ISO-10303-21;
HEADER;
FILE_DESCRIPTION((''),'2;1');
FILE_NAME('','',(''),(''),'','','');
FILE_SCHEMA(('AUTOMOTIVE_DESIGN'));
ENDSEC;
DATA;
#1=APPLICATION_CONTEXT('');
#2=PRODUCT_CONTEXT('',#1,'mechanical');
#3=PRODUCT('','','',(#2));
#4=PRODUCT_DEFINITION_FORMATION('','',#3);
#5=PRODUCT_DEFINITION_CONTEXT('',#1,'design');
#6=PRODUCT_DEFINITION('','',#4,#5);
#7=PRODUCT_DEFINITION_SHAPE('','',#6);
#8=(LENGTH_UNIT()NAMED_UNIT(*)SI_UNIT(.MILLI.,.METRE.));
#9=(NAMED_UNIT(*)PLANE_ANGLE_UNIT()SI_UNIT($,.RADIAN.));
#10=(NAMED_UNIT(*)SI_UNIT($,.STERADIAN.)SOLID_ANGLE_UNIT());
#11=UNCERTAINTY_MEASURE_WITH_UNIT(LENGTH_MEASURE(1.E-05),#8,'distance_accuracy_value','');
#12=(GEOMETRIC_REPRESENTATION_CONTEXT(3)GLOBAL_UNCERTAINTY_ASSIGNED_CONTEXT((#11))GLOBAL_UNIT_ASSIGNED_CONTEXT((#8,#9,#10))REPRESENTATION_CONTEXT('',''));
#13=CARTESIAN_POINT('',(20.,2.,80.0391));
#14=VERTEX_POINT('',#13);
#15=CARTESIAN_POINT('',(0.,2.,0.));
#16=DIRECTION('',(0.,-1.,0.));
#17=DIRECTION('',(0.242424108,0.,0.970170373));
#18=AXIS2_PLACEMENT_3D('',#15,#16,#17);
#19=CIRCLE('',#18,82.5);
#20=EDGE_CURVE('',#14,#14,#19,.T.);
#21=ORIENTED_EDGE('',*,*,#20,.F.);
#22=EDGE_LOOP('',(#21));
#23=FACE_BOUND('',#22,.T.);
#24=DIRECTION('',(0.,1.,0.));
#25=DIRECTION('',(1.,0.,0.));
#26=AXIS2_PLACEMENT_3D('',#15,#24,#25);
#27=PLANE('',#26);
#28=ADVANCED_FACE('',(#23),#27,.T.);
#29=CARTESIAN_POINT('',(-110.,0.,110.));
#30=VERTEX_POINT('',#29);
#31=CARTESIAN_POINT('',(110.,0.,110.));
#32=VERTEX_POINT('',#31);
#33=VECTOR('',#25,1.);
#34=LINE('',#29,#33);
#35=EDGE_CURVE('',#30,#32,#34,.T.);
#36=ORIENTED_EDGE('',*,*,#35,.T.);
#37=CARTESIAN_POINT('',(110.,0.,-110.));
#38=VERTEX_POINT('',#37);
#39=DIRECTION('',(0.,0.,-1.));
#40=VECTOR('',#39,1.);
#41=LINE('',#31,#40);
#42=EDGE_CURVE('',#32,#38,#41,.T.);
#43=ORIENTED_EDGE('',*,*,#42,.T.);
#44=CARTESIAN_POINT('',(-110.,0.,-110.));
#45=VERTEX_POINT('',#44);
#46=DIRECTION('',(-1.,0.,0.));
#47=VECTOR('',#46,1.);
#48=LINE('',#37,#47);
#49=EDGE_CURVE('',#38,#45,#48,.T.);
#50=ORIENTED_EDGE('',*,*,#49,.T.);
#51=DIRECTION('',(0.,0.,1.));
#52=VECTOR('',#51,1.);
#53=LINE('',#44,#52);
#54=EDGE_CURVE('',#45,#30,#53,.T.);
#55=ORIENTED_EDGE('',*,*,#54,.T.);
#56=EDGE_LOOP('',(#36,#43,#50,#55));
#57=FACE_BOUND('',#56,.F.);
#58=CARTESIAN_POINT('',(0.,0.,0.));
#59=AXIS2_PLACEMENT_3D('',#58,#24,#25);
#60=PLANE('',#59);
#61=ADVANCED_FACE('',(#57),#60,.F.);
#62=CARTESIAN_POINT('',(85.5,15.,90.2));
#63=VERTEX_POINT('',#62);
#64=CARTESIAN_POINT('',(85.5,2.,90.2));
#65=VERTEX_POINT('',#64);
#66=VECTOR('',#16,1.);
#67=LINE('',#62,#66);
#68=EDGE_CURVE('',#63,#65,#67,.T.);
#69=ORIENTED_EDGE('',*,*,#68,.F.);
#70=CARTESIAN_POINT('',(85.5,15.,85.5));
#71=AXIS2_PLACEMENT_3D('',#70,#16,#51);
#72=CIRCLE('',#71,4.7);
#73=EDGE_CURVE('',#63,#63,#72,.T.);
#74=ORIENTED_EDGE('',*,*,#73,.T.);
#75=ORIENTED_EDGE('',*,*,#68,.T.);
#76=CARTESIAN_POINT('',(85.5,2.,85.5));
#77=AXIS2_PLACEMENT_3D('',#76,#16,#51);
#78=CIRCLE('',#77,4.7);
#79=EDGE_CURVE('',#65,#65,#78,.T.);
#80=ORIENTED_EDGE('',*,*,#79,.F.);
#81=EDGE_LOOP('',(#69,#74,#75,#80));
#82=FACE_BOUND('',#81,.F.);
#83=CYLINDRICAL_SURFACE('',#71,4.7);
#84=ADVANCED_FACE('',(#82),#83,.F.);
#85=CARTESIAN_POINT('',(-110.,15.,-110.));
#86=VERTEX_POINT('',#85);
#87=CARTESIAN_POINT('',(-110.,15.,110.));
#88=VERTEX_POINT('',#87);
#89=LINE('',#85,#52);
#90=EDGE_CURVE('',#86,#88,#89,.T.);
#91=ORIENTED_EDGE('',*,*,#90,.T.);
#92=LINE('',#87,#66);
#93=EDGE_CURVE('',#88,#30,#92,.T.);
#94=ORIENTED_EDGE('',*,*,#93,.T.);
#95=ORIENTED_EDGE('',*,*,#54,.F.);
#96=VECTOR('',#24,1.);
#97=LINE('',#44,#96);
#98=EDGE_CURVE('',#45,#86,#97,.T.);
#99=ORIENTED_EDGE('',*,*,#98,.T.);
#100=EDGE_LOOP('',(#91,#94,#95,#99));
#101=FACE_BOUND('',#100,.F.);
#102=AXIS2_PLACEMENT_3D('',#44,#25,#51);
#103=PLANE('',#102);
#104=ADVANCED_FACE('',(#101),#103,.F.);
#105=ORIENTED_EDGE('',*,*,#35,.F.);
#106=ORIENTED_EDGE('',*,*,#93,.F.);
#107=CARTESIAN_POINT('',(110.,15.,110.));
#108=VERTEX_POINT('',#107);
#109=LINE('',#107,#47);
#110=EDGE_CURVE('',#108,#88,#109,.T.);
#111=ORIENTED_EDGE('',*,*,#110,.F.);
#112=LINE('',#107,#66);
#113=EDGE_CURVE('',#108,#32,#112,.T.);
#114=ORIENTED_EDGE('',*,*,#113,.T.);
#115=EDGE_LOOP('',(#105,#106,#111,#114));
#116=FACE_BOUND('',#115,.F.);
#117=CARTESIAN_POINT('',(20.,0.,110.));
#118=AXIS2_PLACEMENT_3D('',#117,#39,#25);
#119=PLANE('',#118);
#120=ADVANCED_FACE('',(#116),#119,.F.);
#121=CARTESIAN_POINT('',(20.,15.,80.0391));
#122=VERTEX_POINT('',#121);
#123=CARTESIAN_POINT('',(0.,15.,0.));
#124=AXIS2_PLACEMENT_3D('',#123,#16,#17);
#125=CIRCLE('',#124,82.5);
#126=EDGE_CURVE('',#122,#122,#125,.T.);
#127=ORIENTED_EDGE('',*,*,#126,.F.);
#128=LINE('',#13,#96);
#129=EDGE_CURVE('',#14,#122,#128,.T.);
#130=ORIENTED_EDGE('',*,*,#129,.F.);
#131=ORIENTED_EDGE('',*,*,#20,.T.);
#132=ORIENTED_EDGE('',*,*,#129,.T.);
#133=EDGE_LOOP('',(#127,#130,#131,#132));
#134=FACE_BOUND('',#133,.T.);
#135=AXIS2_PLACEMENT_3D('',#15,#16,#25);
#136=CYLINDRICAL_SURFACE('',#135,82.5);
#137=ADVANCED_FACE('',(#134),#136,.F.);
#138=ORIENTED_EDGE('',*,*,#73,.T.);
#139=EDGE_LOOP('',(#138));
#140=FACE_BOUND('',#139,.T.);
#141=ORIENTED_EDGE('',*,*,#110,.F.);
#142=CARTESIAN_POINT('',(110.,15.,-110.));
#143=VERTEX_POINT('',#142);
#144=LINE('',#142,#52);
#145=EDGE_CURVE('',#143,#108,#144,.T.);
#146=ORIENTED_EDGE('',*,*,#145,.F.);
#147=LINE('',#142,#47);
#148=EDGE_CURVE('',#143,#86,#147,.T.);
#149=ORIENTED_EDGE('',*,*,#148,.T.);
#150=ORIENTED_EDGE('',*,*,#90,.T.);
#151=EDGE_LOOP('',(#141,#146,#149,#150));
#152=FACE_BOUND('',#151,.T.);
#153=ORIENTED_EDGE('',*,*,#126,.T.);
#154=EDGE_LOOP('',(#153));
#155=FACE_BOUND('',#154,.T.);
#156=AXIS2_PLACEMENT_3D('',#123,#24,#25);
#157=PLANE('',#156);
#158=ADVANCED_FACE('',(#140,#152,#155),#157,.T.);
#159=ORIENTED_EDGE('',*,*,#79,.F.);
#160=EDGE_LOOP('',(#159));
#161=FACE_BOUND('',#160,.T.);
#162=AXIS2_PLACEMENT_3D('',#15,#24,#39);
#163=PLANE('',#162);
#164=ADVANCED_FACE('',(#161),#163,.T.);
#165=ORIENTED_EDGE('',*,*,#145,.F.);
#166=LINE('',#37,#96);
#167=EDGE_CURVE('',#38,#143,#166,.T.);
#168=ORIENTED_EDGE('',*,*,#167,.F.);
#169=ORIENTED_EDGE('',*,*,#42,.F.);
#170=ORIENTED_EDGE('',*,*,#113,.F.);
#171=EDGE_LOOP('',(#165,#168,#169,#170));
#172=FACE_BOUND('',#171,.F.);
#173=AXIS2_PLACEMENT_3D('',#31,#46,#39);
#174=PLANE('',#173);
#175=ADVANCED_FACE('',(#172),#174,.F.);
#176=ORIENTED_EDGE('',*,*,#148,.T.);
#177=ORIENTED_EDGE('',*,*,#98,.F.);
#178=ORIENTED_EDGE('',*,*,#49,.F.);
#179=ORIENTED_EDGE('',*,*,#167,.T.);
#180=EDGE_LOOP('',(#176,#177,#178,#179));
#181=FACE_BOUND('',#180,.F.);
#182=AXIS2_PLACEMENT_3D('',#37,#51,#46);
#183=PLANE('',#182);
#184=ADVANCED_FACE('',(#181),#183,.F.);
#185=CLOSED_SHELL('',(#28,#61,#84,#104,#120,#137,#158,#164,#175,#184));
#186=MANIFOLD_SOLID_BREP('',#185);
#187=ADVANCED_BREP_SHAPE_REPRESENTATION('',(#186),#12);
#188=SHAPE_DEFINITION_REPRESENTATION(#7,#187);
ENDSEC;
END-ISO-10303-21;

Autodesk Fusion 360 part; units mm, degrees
sketch "Sketch1" plane through (0, 0, 0) normal (0, 1, 0) x (1, 0, 0)
  line L0 (110, 110) -> (-110, 110)
  line L1 (-110, 110) -> (-110, -110)
  line L2 (-110, -110) -> (110, -110)
  line L3 (110, -110) -> (110, 110)
  line L4 (110, 110) -> (-110, -110) construction
  line L5 (-110, 110) -> (110, -110) construction
  circle A0 centre (0, 0) radius 82.5
  circle A1 centre (-85.5, -85.5) radius 15
  circle A2 centre (85.5, -85.5) radius 15
  circle A3 centre (85.5, 85.5) radius 15
  circle A4 centre (-85.5, 85.5) radius 15
  line L6 (0, -110) -> (0, 0) construction
  line L7 (-20, -110) -> (-20, -80.0391)
  line L8 (20, -110) -> (20, -80.0391)
  point P0 (-85.5, -85.5)
  point P1 (85.5, -85.5)
  point P2 (85.5, 85.5)
  point P3 (-85.5, 85.5)
  dimension "d1" = 220
  dimension "d2" = 220
  dimension "d3" = 24.5
  dimension "d4" = 24.5
  dimension "d6" = 360
  dimension "d11" = 165
  dimension "d13" = 30
  dimension "d15" = 360
  dimension "d41" = 20
extrude "Extrude1" add sketch "Sketch1" along normal blind 2 contours L0 L1 L2 L3 A0 L7 L8 | L2 A0 L7 L8 | A0 | A1 | A2 | A3 | A4
sketch "Sketch2" plane through (0, 2, 0) normal (0, 1, 0) x (-1, 0, 0)
  line L0 (-110, 110) -> (-110, -110)
  line L1 (-110, -110) -> (110, -110)
  line L2 (110, -110) -> (110, 110)
  line L3 (110, 110) -> (-110, 110)
  point P0 (85.5, 85.5)
extrude "Extrude2" add sketch "Sketch1" along normal blind 13 from surface at 2 contours L0 L1 L2 L3 A0 L7 L8 | A2 | A3 | A4
sketch "Sketch3" plane through (0, 15, 0) normal (0, 1, 0) x (-1, 0, 0)
  line L0 (110, 110) -> (20, 110)
  line L1 (-110, 110) -> (-110, -110)
  line L2 (-110, -110) -> (110, -110)
  line L3 (110, -110) -> (110, 110)
  circle A0 centre (85.5, 85.5) radius 15
  line L4 (20, 110) -> (20, 80.0391)
  arc A1 (-20, 80.0391) -> (20, 80.0391) centre (0, 0) ccw
  line L5 (-20, 80.0391) -> (-20, 110)
  line L6 (-20, 110) -> (-110, 110)
  point P0 (85.5, -85.5)
  point P1 (-85.5, -85.5)
  point P2 (85.5, 85.5)
  point P3 (-85.5, 85.5)
hole "Hole3" at (-85.5, 15, -85.5) at (85.5, 15, -85.5) at (-85.5, 15, 85.5) at (85.5, 15, 85.5) direction (0, -1, 0) diameter 4.5 depth 15 tip angle 180
hole "Hole5" at (-85.5, 15, -85.5) at (-85.5, 15, 85.5) at (85.5, 15, 85.5) at (85.5, 15, -85.5) direction (0, -1, 0) diameter 9.4 depth 13 tip angle 118
pattern_circular "C-Pattern1" count 2 over 90 about axis through (0, 1.75, 0) along (0, 1, 0) of "Extrude1", "Extrude2"
equation "overall_height = 15 mm"
equation "cutout_depth = 13 mm"
equation "wafer_slot_diameter = 165 mm"
equation "cuevette_slot_diam = 30 mm"
equation "d11 = wafer_slot_diameter"
equation "screw_plate_thickness = 2 mm"
equation "d13 = cuevette_slot_diam"
equation "d16 = screw_plate_thickness"
equation "d18 = overall_height - screw_plate_thickness"
equation "d20 = screw_plate_thickness"
equation "d42 = overall_height - screw_plate_thickness"
